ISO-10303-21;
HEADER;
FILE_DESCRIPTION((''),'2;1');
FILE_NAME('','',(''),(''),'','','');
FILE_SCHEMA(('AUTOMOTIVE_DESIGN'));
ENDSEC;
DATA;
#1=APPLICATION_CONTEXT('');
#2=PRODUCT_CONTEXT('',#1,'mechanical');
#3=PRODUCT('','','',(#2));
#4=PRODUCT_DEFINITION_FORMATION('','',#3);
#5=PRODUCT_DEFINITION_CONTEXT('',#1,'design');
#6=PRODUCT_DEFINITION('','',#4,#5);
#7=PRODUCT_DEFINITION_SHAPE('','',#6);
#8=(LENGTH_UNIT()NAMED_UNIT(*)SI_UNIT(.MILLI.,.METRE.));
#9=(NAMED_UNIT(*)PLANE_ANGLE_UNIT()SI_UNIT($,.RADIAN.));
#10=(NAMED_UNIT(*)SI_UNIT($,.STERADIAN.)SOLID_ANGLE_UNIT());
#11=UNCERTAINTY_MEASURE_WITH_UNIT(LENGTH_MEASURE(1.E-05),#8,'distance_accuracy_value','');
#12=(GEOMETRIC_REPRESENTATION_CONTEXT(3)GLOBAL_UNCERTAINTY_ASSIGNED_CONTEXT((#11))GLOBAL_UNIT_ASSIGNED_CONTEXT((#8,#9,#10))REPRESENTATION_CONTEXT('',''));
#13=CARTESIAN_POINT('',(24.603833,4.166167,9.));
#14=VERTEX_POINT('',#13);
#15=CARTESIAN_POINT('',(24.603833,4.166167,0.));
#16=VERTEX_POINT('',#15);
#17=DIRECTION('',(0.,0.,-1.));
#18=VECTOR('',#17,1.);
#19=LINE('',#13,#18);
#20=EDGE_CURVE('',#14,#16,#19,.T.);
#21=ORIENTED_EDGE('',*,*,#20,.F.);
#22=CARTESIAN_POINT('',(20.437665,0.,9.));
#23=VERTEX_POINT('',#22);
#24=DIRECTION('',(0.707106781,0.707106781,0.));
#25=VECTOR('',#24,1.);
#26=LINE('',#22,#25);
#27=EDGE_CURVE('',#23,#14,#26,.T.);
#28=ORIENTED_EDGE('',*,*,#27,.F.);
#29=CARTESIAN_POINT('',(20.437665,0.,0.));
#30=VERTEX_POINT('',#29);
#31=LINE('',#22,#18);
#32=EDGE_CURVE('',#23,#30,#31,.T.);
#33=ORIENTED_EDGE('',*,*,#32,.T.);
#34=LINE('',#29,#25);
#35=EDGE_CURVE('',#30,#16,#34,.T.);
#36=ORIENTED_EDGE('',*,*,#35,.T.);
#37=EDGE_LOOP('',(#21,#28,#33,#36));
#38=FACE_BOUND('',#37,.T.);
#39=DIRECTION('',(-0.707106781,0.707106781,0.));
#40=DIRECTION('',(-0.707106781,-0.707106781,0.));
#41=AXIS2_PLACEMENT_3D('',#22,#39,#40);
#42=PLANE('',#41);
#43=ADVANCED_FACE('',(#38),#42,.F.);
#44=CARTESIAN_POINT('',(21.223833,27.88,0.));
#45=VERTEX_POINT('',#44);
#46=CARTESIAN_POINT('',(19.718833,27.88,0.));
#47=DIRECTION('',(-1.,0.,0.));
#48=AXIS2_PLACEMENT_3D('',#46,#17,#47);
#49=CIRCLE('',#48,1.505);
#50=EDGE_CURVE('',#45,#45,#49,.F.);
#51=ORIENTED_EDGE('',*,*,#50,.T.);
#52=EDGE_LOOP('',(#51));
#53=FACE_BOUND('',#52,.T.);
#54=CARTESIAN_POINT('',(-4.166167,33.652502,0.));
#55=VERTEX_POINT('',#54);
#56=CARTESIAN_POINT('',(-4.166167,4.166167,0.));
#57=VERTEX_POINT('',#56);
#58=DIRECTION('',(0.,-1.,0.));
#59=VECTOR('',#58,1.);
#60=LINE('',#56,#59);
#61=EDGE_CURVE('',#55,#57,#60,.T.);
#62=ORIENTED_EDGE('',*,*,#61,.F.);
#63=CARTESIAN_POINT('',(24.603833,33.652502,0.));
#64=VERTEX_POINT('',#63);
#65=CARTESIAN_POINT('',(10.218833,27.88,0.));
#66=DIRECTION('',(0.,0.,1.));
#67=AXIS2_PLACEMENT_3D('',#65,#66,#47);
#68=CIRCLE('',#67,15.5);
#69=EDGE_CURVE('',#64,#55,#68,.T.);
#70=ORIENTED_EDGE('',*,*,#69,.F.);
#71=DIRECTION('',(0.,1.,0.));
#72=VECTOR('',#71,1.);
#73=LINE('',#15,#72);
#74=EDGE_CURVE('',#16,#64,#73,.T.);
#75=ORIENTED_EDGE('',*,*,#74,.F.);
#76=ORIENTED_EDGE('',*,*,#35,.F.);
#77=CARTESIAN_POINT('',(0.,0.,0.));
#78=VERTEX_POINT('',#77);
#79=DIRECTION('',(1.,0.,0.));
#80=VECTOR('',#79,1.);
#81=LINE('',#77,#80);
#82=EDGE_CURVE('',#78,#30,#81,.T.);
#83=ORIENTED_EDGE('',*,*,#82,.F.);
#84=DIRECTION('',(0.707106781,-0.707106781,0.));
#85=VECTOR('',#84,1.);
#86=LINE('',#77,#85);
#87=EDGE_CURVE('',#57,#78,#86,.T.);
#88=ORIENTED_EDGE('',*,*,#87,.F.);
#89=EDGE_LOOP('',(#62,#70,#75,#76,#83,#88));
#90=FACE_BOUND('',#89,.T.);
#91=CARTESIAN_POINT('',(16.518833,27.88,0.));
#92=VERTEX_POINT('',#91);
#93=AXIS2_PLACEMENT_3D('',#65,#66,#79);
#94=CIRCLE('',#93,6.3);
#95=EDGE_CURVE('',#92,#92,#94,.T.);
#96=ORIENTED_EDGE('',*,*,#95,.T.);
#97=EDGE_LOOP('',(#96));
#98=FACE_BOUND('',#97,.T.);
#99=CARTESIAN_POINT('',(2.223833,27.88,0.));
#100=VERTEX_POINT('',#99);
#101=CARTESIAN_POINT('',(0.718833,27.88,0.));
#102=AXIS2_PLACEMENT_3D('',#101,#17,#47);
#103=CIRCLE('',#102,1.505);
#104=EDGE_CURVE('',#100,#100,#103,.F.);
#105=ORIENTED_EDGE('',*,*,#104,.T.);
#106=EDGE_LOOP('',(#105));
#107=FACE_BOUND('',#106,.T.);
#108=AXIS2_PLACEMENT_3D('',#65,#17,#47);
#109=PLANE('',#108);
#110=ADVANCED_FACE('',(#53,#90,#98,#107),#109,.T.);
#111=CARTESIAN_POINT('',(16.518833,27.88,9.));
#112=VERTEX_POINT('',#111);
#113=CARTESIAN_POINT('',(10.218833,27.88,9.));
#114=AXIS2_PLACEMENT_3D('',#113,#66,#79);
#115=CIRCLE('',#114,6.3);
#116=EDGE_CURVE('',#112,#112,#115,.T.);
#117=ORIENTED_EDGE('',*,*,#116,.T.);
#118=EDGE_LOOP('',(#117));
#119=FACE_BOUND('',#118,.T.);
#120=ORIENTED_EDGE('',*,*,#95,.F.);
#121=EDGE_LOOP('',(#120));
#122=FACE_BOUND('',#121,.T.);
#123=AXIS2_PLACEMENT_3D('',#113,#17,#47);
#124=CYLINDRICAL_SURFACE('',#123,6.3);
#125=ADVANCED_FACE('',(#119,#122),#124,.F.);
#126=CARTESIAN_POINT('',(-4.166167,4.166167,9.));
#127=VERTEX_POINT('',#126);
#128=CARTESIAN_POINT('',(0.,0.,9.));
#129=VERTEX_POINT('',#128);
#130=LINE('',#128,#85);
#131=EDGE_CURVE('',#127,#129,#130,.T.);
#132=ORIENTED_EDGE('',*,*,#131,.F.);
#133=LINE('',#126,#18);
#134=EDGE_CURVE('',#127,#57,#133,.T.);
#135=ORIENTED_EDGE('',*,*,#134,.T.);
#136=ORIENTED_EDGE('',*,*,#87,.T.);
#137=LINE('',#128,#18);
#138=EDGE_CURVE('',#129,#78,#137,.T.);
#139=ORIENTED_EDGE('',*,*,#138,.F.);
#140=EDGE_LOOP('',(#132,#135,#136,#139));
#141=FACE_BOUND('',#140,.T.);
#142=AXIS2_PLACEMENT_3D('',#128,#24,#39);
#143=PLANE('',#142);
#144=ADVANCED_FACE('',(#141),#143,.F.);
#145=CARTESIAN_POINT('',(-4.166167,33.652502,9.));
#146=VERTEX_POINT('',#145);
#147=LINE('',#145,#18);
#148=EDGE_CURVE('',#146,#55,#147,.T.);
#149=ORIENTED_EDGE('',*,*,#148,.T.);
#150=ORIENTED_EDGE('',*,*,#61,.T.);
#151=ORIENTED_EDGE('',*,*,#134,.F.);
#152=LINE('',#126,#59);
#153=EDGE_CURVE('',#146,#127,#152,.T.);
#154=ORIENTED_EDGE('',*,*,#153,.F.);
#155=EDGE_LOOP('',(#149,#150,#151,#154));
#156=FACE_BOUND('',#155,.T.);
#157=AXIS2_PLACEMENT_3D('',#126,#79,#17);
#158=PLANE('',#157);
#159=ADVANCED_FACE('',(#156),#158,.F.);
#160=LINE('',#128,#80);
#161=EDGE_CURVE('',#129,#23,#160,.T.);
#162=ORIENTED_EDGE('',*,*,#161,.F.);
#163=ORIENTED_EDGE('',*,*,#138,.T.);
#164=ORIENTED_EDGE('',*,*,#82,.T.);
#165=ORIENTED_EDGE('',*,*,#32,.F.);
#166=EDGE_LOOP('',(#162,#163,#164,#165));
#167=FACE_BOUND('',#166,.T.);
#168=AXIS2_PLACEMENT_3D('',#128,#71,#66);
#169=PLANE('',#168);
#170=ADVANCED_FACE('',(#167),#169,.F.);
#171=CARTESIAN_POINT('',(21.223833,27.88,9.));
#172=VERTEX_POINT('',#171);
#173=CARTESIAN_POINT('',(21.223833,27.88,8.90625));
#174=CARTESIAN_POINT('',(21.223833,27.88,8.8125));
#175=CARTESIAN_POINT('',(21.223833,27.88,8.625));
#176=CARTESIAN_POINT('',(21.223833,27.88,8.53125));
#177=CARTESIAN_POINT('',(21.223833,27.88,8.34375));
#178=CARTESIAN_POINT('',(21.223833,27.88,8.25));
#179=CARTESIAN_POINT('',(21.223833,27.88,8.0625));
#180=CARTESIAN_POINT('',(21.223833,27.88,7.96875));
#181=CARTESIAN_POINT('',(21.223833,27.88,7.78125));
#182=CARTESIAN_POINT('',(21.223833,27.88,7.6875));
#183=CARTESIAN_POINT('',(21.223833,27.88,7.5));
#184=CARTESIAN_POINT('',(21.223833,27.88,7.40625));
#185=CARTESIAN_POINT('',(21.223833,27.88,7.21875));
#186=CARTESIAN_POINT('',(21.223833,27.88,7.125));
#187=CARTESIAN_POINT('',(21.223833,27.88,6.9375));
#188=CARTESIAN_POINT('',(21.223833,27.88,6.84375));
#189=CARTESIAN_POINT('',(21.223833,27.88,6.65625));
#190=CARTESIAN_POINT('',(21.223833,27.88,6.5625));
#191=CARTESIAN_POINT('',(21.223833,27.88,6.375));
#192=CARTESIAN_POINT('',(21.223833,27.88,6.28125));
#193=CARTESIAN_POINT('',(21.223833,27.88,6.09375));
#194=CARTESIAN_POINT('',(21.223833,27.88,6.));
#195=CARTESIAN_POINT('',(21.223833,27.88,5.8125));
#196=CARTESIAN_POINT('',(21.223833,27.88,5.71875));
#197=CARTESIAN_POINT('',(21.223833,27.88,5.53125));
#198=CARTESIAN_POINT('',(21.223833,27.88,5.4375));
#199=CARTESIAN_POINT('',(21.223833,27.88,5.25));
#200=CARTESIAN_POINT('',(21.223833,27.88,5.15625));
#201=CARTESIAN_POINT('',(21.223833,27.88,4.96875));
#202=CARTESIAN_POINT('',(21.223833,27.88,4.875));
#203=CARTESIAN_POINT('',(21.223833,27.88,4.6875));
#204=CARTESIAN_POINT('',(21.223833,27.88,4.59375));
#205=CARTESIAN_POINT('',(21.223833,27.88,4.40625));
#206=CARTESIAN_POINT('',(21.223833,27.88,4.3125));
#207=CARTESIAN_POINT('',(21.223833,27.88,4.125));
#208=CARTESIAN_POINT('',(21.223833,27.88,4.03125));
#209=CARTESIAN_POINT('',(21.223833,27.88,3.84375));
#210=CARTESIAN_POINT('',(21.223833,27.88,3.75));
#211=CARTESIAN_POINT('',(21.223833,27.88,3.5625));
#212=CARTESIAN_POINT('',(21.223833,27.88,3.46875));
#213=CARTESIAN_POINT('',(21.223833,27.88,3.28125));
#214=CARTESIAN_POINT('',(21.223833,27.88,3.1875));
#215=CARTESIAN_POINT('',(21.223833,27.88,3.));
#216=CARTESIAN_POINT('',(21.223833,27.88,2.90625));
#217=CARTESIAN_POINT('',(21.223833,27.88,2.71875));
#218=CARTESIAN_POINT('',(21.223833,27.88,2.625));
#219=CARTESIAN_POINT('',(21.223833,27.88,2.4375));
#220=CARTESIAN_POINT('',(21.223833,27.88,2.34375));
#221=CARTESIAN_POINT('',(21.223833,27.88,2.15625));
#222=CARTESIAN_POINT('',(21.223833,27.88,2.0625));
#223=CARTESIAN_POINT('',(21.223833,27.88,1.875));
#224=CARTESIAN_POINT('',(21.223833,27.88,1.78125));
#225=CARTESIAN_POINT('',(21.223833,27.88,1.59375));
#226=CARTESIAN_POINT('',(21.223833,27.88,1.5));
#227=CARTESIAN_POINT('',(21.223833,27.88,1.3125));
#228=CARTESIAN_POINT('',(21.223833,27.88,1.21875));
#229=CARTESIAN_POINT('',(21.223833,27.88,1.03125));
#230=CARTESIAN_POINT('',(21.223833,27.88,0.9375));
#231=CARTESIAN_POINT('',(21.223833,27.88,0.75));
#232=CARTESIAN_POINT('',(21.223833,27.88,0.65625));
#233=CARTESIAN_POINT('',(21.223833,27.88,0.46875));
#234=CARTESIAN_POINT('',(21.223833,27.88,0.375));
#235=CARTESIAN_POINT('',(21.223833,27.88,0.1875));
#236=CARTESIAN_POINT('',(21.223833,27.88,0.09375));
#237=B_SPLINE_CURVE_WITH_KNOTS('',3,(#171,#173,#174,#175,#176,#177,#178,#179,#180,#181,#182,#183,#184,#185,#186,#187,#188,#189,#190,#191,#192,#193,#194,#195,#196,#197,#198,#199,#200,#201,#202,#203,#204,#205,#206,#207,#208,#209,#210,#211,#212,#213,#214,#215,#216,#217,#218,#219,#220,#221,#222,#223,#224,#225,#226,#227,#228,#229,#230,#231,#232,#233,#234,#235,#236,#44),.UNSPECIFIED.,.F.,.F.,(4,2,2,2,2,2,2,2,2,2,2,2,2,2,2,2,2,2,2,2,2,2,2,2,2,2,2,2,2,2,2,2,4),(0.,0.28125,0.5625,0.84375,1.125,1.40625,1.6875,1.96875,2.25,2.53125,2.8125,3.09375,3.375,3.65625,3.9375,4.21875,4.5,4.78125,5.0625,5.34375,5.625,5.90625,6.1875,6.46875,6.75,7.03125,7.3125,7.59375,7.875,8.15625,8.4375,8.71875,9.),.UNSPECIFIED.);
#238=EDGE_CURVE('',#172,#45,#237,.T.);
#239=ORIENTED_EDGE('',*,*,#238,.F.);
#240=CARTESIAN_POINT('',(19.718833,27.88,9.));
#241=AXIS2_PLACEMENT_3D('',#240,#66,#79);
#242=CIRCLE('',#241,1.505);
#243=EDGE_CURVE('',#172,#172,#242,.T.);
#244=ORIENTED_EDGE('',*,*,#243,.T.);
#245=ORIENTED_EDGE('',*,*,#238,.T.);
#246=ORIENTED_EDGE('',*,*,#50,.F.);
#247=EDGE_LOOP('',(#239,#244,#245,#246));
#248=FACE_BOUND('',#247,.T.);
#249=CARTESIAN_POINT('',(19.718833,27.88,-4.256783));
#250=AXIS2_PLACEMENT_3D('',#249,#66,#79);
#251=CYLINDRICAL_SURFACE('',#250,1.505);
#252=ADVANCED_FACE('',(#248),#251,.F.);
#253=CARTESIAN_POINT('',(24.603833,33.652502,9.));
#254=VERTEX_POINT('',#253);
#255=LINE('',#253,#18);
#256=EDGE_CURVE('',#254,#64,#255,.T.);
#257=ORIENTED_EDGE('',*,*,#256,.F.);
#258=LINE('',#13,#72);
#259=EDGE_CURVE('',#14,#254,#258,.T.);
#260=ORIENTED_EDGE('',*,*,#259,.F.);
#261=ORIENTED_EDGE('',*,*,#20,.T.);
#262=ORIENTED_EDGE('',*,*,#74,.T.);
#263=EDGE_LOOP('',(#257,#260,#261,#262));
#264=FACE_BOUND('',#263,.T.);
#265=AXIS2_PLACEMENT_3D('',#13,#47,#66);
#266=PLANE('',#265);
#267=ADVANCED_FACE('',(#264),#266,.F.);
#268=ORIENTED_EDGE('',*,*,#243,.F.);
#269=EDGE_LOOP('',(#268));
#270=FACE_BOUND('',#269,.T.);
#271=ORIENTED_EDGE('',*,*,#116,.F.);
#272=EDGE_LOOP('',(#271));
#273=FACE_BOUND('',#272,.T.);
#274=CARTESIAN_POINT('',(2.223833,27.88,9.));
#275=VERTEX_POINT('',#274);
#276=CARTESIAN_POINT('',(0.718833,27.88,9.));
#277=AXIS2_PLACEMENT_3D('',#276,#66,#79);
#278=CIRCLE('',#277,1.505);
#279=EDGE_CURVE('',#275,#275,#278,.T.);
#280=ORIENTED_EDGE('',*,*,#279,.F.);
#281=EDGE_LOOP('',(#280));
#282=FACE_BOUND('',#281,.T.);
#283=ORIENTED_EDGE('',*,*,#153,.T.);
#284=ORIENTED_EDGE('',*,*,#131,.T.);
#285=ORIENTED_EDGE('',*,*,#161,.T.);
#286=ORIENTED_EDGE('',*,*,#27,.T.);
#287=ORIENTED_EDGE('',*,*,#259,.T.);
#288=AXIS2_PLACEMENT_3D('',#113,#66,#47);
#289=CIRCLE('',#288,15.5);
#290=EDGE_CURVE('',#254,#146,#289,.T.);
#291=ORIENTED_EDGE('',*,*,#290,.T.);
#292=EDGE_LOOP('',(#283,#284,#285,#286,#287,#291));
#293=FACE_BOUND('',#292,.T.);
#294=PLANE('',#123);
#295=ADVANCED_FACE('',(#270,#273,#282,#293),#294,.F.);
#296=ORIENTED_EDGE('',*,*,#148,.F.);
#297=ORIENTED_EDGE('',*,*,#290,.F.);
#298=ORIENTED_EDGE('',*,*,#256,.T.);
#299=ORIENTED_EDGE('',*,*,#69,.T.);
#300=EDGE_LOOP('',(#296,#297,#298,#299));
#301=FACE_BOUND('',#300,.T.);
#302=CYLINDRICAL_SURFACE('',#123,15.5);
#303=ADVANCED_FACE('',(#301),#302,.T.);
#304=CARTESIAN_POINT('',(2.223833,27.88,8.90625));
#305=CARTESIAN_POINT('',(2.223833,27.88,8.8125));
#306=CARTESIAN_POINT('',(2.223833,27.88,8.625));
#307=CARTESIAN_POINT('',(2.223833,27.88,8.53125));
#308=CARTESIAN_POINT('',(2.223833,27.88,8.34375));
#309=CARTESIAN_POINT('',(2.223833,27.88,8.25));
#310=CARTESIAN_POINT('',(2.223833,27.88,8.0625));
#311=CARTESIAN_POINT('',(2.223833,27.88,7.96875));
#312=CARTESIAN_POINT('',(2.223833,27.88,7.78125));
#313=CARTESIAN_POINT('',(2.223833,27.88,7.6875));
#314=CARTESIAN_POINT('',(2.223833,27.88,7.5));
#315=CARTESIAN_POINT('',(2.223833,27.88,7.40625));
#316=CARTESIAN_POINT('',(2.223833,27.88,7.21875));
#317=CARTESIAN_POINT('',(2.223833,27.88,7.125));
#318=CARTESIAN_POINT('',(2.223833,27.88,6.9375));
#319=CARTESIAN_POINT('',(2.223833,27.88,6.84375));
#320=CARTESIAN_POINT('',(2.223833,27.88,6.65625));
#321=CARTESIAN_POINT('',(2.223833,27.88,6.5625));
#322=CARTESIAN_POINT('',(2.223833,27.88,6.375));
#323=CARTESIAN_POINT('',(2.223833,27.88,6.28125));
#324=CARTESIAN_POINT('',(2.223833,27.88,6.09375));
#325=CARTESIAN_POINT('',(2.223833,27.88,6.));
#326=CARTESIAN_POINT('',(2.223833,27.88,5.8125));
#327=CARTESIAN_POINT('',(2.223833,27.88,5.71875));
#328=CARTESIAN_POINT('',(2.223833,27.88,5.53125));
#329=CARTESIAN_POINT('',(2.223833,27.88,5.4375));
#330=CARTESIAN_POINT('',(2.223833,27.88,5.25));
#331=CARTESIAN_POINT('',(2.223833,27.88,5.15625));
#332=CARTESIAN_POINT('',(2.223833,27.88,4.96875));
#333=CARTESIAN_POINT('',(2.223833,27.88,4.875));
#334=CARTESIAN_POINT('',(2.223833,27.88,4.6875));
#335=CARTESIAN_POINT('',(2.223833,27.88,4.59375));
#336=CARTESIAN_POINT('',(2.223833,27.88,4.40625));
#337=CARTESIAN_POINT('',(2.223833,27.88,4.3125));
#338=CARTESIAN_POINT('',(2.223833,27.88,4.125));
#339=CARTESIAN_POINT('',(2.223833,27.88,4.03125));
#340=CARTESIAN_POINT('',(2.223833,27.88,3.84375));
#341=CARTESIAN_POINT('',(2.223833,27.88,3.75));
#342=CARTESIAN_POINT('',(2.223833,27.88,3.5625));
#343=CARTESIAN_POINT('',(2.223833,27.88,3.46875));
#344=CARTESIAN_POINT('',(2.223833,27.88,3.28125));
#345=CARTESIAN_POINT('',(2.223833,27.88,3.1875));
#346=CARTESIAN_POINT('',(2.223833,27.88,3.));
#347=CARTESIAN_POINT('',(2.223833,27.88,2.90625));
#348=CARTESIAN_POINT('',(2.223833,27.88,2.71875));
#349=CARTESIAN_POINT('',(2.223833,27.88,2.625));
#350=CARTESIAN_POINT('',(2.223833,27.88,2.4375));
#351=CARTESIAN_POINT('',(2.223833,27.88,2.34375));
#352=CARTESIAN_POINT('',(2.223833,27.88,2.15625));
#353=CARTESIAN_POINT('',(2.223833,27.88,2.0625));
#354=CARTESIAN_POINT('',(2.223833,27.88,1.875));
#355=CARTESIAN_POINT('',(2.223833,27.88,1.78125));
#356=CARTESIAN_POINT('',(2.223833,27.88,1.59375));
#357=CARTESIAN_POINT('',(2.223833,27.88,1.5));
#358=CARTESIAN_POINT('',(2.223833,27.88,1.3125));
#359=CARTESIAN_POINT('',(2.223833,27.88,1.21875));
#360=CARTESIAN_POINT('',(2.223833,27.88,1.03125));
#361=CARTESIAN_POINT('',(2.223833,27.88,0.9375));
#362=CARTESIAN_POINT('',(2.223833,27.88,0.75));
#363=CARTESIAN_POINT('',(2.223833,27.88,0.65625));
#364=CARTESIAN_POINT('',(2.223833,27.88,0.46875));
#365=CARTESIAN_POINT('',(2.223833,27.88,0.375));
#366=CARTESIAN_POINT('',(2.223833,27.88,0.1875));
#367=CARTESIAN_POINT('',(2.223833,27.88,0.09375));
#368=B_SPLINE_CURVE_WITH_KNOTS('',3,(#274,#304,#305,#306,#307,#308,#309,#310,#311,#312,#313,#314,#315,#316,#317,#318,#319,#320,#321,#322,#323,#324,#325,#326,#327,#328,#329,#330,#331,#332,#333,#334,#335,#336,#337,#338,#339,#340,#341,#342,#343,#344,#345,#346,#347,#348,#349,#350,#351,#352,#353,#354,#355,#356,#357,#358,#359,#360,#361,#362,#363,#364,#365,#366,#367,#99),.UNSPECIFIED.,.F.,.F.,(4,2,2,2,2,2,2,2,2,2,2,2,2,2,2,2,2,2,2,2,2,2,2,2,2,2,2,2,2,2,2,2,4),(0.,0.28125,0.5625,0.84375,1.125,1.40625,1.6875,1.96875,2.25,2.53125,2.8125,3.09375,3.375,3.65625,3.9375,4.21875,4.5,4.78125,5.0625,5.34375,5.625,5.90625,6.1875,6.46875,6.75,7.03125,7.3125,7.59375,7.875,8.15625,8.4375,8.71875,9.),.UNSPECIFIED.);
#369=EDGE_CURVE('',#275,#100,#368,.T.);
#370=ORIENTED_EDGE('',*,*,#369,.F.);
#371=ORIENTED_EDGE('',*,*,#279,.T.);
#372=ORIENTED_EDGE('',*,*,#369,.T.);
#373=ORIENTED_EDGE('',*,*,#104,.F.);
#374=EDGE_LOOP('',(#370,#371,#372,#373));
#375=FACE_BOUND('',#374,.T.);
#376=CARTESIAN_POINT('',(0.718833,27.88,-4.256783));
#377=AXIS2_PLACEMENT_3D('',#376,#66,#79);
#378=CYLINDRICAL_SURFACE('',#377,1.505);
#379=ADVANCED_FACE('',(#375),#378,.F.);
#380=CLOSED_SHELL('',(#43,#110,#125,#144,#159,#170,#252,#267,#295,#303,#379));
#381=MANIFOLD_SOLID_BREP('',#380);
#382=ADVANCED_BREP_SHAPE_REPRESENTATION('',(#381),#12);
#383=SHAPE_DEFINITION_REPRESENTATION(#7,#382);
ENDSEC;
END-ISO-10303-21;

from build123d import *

# Parameters (mm, degrees)
SKETCH1_R           = 6.3
BOSS_EXTRUDE1_DEPTH = 9
SKETCH2_R           = 1.505
CUT_EXTRUDE1_DEPTH  = 9


with BuildPart() as part:
    # Sketch1 → Boss-Extrude1 (new body)
    with BuildSketch(Plane.XY):
        with BuildLine():
            Line((0, 0), (20.437665022, 0))
            Line((20.437665022, 0), (24.603832511, 4.166167489))
            Line((24.603832511, 4.166167489), (24.603832511, 33.652501624))
            ThreePointArc((24.603832511, 33.652501624), (10.218832511, 43.38), (-4.166167489, 33.652501624))
            Line((-4.166167489, 33.652501624), (-4.166167489, 4.166167489))
            Line((-4.166167489, 4.166167489), (0, 0))
        make_face()
        with Locations((10.218832511, 27.88)):
            Circle(SKETCH1_R, mode=Mode.SUBTRACT)
    extrude(amount=BOSS_EXTRUDE1_DEPTH)

    # Sketch2 → Cut-Extrude1 (cut)
    with BuildSketch(Plane.XY.offset(9)):
        with Locations((0.718832511, 27.88)):
            Circle(SKETCH2_R)
        with Locations((19.718832511, 27.88)):
            Circle(SKETCH2_R)
    extrude(amount=-CUT_EXTRUDE1_DEPTH, mode=Mode.SUBTRACT)


solid = part.part
